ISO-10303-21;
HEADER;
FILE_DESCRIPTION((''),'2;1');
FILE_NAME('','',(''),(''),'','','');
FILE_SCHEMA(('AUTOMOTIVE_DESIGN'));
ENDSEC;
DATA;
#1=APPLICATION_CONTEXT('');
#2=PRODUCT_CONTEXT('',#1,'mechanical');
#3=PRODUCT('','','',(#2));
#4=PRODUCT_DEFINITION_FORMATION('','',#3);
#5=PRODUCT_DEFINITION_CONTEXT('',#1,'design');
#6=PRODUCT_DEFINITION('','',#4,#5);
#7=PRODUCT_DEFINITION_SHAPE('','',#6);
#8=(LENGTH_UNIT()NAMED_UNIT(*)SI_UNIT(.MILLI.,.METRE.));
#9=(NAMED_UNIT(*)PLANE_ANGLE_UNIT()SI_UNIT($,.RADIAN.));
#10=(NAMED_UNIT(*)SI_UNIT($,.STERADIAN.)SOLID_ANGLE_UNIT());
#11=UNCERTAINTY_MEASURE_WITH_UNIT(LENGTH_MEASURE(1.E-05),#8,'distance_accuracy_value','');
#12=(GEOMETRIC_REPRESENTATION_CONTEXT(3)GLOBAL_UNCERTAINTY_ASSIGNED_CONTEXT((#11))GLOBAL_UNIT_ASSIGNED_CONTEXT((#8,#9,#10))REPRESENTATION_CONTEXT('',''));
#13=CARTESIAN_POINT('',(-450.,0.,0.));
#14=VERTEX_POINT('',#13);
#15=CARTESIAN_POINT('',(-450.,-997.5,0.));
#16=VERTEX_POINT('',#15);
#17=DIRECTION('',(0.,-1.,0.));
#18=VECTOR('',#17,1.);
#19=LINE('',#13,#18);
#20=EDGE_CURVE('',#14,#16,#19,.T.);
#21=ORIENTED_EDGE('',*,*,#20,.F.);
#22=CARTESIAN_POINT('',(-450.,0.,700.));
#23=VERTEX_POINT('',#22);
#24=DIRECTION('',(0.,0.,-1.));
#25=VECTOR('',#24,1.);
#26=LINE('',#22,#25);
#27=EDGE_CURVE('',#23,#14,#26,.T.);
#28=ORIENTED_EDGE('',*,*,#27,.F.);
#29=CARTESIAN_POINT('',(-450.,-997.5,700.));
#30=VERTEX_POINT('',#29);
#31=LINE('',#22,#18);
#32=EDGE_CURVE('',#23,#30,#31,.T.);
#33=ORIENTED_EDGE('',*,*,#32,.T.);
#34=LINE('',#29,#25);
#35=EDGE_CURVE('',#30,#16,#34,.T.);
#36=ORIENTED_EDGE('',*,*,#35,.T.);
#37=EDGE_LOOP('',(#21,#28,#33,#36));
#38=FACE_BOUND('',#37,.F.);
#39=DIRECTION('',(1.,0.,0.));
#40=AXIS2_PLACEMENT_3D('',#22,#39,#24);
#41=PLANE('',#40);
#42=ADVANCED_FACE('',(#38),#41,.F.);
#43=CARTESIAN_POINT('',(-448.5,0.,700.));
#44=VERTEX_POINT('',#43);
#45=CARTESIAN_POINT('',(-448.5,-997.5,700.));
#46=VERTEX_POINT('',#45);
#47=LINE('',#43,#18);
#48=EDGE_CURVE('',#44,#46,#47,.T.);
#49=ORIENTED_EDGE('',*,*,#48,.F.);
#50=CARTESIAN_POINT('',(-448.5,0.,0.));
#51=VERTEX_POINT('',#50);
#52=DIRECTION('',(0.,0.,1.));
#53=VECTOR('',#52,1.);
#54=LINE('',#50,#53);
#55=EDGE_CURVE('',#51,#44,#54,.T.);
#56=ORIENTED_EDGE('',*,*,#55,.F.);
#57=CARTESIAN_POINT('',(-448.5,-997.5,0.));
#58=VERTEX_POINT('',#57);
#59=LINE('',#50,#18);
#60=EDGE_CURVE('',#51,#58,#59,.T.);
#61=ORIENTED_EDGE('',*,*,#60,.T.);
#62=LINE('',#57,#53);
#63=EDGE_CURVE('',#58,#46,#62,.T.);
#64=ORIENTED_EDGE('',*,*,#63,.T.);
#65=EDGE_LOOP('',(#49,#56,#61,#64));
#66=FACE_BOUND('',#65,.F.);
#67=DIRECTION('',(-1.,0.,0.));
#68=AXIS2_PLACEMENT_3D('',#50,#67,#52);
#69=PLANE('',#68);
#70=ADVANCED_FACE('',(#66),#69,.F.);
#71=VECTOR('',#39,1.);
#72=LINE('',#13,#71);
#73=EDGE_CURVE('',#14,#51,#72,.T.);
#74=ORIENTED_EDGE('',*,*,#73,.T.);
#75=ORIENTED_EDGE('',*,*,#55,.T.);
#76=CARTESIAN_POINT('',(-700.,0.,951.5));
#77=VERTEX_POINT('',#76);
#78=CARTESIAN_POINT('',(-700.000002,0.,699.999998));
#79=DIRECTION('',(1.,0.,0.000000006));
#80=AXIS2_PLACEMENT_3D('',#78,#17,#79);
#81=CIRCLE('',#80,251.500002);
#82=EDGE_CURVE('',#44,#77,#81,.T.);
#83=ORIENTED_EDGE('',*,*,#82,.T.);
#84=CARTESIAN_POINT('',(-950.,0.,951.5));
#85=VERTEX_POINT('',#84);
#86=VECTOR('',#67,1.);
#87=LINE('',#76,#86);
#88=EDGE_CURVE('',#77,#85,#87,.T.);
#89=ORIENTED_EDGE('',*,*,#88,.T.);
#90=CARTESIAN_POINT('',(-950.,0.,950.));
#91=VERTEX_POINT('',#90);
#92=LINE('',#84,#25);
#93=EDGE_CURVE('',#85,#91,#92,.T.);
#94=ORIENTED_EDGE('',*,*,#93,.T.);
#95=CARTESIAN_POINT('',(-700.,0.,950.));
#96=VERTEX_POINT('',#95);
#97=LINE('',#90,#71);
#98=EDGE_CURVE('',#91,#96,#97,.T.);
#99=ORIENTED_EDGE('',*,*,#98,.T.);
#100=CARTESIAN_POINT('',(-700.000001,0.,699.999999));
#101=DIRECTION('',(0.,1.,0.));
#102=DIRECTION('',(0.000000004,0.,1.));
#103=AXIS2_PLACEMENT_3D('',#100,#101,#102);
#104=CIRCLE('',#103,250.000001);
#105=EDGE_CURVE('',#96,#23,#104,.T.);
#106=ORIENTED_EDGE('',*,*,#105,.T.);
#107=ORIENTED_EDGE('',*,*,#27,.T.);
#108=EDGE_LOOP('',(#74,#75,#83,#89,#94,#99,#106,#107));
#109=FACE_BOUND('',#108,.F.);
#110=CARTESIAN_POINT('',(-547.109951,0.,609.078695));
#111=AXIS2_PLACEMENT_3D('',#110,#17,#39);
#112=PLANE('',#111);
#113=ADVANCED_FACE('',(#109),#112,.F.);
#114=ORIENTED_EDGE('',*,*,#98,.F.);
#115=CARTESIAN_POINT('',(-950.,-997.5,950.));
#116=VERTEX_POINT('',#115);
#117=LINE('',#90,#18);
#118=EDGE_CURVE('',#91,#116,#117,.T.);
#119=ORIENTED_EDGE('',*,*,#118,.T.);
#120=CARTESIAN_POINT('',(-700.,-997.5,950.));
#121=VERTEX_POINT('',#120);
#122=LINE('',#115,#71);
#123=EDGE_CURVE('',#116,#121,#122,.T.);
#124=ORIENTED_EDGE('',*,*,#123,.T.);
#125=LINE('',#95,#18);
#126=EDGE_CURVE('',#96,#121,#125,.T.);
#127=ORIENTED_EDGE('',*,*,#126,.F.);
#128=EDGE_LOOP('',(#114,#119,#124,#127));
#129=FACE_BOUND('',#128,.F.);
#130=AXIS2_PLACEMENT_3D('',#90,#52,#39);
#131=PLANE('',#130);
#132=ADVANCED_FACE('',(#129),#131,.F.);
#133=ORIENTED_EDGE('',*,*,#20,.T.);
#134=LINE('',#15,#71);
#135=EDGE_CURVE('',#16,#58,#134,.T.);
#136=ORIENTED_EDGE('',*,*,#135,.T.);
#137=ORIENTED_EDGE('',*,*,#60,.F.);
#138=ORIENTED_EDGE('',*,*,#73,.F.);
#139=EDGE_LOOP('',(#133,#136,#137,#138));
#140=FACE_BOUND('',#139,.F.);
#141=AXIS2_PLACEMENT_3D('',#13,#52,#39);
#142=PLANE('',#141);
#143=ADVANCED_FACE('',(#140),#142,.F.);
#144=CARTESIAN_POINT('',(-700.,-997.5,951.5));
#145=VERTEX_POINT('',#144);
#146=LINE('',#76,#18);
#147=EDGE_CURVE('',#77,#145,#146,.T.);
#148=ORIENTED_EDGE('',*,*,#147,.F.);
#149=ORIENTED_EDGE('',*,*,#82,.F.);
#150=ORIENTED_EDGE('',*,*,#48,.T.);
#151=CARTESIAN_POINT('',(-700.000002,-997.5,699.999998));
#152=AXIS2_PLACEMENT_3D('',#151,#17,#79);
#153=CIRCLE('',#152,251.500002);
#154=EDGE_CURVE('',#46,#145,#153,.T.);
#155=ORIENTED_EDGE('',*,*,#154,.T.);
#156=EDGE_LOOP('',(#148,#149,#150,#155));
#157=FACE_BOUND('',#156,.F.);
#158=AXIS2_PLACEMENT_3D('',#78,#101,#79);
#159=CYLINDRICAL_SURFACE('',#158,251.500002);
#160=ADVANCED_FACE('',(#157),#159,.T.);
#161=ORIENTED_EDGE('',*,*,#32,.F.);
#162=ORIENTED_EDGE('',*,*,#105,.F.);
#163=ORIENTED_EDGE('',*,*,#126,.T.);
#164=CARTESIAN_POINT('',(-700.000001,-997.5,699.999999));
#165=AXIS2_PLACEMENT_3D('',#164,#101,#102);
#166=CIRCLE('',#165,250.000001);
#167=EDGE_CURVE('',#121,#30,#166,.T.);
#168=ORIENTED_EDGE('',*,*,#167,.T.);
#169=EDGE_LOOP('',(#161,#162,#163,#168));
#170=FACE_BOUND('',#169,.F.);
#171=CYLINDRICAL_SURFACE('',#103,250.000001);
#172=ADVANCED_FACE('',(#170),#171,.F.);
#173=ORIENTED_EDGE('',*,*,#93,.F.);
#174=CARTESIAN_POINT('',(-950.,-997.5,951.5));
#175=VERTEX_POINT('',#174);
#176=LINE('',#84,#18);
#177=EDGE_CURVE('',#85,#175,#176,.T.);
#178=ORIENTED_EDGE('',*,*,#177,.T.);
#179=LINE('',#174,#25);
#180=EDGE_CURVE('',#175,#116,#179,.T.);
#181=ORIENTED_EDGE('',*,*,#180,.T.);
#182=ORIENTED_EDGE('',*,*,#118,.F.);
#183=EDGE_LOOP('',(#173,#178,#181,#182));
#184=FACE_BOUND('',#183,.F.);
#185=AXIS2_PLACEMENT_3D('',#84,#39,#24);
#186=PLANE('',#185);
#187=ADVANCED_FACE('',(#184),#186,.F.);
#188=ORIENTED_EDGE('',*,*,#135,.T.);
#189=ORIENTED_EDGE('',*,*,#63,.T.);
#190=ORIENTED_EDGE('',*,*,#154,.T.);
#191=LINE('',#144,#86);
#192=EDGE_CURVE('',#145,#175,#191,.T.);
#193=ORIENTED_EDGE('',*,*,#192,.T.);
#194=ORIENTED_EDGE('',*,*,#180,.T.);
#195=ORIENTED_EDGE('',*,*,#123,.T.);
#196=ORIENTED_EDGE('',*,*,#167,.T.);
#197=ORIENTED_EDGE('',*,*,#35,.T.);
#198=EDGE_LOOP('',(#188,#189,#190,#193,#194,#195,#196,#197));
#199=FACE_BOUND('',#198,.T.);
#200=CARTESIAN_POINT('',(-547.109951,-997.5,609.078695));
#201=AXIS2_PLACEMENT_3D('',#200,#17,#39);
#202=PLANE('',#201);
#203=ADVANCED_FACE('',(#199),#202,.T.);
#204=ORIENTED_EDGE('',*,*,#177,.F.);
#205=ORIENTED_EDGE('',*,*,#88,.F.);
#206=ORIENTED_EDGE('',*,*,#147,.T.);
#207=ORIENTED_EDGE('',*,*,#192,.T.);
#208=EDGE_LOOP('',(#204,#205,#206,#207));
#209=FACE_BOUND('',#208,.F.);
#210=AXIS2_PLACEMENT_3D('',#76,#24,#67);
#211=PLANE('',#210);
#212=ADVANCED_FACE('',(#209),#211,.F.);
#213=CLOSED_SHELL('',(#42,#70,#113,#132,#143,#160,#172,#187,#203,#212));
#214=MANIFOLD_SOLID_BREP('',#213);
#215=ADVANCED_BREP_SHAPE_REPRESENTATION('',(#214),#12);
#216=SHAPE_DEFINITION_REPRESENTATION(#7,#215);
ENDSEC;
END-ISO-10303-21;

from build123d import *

# Parameters (mm, degrees)
F1_DEPTH = 997.5


with BuildPart() as f1:
    # F0 (on Front) → F1 (new body)
    with BuildSketch(Plane.XZ):
        with BuildLine():
            Line((-450, 0), (-448.5, 0))
            Line((-448.5, 0), (-448.5, 700))
            ThreePointArc((-448.5, 700), (-522.162645, 877.837355), (-700, 951.5))
            Line((-700, 951.5), (-950, 951.5))
            Line((-950, 951.5), (-950, 950))
            Line((-950, 950), (-700, 950))
            ThreePointArc((-700, 950), (-523.223305, 876.776695), (-450, 700))
            Line((-450, 700), (-450, 0))
        make_face()
    extrude(amount=F1_DEPTH)


solid = f1.part
